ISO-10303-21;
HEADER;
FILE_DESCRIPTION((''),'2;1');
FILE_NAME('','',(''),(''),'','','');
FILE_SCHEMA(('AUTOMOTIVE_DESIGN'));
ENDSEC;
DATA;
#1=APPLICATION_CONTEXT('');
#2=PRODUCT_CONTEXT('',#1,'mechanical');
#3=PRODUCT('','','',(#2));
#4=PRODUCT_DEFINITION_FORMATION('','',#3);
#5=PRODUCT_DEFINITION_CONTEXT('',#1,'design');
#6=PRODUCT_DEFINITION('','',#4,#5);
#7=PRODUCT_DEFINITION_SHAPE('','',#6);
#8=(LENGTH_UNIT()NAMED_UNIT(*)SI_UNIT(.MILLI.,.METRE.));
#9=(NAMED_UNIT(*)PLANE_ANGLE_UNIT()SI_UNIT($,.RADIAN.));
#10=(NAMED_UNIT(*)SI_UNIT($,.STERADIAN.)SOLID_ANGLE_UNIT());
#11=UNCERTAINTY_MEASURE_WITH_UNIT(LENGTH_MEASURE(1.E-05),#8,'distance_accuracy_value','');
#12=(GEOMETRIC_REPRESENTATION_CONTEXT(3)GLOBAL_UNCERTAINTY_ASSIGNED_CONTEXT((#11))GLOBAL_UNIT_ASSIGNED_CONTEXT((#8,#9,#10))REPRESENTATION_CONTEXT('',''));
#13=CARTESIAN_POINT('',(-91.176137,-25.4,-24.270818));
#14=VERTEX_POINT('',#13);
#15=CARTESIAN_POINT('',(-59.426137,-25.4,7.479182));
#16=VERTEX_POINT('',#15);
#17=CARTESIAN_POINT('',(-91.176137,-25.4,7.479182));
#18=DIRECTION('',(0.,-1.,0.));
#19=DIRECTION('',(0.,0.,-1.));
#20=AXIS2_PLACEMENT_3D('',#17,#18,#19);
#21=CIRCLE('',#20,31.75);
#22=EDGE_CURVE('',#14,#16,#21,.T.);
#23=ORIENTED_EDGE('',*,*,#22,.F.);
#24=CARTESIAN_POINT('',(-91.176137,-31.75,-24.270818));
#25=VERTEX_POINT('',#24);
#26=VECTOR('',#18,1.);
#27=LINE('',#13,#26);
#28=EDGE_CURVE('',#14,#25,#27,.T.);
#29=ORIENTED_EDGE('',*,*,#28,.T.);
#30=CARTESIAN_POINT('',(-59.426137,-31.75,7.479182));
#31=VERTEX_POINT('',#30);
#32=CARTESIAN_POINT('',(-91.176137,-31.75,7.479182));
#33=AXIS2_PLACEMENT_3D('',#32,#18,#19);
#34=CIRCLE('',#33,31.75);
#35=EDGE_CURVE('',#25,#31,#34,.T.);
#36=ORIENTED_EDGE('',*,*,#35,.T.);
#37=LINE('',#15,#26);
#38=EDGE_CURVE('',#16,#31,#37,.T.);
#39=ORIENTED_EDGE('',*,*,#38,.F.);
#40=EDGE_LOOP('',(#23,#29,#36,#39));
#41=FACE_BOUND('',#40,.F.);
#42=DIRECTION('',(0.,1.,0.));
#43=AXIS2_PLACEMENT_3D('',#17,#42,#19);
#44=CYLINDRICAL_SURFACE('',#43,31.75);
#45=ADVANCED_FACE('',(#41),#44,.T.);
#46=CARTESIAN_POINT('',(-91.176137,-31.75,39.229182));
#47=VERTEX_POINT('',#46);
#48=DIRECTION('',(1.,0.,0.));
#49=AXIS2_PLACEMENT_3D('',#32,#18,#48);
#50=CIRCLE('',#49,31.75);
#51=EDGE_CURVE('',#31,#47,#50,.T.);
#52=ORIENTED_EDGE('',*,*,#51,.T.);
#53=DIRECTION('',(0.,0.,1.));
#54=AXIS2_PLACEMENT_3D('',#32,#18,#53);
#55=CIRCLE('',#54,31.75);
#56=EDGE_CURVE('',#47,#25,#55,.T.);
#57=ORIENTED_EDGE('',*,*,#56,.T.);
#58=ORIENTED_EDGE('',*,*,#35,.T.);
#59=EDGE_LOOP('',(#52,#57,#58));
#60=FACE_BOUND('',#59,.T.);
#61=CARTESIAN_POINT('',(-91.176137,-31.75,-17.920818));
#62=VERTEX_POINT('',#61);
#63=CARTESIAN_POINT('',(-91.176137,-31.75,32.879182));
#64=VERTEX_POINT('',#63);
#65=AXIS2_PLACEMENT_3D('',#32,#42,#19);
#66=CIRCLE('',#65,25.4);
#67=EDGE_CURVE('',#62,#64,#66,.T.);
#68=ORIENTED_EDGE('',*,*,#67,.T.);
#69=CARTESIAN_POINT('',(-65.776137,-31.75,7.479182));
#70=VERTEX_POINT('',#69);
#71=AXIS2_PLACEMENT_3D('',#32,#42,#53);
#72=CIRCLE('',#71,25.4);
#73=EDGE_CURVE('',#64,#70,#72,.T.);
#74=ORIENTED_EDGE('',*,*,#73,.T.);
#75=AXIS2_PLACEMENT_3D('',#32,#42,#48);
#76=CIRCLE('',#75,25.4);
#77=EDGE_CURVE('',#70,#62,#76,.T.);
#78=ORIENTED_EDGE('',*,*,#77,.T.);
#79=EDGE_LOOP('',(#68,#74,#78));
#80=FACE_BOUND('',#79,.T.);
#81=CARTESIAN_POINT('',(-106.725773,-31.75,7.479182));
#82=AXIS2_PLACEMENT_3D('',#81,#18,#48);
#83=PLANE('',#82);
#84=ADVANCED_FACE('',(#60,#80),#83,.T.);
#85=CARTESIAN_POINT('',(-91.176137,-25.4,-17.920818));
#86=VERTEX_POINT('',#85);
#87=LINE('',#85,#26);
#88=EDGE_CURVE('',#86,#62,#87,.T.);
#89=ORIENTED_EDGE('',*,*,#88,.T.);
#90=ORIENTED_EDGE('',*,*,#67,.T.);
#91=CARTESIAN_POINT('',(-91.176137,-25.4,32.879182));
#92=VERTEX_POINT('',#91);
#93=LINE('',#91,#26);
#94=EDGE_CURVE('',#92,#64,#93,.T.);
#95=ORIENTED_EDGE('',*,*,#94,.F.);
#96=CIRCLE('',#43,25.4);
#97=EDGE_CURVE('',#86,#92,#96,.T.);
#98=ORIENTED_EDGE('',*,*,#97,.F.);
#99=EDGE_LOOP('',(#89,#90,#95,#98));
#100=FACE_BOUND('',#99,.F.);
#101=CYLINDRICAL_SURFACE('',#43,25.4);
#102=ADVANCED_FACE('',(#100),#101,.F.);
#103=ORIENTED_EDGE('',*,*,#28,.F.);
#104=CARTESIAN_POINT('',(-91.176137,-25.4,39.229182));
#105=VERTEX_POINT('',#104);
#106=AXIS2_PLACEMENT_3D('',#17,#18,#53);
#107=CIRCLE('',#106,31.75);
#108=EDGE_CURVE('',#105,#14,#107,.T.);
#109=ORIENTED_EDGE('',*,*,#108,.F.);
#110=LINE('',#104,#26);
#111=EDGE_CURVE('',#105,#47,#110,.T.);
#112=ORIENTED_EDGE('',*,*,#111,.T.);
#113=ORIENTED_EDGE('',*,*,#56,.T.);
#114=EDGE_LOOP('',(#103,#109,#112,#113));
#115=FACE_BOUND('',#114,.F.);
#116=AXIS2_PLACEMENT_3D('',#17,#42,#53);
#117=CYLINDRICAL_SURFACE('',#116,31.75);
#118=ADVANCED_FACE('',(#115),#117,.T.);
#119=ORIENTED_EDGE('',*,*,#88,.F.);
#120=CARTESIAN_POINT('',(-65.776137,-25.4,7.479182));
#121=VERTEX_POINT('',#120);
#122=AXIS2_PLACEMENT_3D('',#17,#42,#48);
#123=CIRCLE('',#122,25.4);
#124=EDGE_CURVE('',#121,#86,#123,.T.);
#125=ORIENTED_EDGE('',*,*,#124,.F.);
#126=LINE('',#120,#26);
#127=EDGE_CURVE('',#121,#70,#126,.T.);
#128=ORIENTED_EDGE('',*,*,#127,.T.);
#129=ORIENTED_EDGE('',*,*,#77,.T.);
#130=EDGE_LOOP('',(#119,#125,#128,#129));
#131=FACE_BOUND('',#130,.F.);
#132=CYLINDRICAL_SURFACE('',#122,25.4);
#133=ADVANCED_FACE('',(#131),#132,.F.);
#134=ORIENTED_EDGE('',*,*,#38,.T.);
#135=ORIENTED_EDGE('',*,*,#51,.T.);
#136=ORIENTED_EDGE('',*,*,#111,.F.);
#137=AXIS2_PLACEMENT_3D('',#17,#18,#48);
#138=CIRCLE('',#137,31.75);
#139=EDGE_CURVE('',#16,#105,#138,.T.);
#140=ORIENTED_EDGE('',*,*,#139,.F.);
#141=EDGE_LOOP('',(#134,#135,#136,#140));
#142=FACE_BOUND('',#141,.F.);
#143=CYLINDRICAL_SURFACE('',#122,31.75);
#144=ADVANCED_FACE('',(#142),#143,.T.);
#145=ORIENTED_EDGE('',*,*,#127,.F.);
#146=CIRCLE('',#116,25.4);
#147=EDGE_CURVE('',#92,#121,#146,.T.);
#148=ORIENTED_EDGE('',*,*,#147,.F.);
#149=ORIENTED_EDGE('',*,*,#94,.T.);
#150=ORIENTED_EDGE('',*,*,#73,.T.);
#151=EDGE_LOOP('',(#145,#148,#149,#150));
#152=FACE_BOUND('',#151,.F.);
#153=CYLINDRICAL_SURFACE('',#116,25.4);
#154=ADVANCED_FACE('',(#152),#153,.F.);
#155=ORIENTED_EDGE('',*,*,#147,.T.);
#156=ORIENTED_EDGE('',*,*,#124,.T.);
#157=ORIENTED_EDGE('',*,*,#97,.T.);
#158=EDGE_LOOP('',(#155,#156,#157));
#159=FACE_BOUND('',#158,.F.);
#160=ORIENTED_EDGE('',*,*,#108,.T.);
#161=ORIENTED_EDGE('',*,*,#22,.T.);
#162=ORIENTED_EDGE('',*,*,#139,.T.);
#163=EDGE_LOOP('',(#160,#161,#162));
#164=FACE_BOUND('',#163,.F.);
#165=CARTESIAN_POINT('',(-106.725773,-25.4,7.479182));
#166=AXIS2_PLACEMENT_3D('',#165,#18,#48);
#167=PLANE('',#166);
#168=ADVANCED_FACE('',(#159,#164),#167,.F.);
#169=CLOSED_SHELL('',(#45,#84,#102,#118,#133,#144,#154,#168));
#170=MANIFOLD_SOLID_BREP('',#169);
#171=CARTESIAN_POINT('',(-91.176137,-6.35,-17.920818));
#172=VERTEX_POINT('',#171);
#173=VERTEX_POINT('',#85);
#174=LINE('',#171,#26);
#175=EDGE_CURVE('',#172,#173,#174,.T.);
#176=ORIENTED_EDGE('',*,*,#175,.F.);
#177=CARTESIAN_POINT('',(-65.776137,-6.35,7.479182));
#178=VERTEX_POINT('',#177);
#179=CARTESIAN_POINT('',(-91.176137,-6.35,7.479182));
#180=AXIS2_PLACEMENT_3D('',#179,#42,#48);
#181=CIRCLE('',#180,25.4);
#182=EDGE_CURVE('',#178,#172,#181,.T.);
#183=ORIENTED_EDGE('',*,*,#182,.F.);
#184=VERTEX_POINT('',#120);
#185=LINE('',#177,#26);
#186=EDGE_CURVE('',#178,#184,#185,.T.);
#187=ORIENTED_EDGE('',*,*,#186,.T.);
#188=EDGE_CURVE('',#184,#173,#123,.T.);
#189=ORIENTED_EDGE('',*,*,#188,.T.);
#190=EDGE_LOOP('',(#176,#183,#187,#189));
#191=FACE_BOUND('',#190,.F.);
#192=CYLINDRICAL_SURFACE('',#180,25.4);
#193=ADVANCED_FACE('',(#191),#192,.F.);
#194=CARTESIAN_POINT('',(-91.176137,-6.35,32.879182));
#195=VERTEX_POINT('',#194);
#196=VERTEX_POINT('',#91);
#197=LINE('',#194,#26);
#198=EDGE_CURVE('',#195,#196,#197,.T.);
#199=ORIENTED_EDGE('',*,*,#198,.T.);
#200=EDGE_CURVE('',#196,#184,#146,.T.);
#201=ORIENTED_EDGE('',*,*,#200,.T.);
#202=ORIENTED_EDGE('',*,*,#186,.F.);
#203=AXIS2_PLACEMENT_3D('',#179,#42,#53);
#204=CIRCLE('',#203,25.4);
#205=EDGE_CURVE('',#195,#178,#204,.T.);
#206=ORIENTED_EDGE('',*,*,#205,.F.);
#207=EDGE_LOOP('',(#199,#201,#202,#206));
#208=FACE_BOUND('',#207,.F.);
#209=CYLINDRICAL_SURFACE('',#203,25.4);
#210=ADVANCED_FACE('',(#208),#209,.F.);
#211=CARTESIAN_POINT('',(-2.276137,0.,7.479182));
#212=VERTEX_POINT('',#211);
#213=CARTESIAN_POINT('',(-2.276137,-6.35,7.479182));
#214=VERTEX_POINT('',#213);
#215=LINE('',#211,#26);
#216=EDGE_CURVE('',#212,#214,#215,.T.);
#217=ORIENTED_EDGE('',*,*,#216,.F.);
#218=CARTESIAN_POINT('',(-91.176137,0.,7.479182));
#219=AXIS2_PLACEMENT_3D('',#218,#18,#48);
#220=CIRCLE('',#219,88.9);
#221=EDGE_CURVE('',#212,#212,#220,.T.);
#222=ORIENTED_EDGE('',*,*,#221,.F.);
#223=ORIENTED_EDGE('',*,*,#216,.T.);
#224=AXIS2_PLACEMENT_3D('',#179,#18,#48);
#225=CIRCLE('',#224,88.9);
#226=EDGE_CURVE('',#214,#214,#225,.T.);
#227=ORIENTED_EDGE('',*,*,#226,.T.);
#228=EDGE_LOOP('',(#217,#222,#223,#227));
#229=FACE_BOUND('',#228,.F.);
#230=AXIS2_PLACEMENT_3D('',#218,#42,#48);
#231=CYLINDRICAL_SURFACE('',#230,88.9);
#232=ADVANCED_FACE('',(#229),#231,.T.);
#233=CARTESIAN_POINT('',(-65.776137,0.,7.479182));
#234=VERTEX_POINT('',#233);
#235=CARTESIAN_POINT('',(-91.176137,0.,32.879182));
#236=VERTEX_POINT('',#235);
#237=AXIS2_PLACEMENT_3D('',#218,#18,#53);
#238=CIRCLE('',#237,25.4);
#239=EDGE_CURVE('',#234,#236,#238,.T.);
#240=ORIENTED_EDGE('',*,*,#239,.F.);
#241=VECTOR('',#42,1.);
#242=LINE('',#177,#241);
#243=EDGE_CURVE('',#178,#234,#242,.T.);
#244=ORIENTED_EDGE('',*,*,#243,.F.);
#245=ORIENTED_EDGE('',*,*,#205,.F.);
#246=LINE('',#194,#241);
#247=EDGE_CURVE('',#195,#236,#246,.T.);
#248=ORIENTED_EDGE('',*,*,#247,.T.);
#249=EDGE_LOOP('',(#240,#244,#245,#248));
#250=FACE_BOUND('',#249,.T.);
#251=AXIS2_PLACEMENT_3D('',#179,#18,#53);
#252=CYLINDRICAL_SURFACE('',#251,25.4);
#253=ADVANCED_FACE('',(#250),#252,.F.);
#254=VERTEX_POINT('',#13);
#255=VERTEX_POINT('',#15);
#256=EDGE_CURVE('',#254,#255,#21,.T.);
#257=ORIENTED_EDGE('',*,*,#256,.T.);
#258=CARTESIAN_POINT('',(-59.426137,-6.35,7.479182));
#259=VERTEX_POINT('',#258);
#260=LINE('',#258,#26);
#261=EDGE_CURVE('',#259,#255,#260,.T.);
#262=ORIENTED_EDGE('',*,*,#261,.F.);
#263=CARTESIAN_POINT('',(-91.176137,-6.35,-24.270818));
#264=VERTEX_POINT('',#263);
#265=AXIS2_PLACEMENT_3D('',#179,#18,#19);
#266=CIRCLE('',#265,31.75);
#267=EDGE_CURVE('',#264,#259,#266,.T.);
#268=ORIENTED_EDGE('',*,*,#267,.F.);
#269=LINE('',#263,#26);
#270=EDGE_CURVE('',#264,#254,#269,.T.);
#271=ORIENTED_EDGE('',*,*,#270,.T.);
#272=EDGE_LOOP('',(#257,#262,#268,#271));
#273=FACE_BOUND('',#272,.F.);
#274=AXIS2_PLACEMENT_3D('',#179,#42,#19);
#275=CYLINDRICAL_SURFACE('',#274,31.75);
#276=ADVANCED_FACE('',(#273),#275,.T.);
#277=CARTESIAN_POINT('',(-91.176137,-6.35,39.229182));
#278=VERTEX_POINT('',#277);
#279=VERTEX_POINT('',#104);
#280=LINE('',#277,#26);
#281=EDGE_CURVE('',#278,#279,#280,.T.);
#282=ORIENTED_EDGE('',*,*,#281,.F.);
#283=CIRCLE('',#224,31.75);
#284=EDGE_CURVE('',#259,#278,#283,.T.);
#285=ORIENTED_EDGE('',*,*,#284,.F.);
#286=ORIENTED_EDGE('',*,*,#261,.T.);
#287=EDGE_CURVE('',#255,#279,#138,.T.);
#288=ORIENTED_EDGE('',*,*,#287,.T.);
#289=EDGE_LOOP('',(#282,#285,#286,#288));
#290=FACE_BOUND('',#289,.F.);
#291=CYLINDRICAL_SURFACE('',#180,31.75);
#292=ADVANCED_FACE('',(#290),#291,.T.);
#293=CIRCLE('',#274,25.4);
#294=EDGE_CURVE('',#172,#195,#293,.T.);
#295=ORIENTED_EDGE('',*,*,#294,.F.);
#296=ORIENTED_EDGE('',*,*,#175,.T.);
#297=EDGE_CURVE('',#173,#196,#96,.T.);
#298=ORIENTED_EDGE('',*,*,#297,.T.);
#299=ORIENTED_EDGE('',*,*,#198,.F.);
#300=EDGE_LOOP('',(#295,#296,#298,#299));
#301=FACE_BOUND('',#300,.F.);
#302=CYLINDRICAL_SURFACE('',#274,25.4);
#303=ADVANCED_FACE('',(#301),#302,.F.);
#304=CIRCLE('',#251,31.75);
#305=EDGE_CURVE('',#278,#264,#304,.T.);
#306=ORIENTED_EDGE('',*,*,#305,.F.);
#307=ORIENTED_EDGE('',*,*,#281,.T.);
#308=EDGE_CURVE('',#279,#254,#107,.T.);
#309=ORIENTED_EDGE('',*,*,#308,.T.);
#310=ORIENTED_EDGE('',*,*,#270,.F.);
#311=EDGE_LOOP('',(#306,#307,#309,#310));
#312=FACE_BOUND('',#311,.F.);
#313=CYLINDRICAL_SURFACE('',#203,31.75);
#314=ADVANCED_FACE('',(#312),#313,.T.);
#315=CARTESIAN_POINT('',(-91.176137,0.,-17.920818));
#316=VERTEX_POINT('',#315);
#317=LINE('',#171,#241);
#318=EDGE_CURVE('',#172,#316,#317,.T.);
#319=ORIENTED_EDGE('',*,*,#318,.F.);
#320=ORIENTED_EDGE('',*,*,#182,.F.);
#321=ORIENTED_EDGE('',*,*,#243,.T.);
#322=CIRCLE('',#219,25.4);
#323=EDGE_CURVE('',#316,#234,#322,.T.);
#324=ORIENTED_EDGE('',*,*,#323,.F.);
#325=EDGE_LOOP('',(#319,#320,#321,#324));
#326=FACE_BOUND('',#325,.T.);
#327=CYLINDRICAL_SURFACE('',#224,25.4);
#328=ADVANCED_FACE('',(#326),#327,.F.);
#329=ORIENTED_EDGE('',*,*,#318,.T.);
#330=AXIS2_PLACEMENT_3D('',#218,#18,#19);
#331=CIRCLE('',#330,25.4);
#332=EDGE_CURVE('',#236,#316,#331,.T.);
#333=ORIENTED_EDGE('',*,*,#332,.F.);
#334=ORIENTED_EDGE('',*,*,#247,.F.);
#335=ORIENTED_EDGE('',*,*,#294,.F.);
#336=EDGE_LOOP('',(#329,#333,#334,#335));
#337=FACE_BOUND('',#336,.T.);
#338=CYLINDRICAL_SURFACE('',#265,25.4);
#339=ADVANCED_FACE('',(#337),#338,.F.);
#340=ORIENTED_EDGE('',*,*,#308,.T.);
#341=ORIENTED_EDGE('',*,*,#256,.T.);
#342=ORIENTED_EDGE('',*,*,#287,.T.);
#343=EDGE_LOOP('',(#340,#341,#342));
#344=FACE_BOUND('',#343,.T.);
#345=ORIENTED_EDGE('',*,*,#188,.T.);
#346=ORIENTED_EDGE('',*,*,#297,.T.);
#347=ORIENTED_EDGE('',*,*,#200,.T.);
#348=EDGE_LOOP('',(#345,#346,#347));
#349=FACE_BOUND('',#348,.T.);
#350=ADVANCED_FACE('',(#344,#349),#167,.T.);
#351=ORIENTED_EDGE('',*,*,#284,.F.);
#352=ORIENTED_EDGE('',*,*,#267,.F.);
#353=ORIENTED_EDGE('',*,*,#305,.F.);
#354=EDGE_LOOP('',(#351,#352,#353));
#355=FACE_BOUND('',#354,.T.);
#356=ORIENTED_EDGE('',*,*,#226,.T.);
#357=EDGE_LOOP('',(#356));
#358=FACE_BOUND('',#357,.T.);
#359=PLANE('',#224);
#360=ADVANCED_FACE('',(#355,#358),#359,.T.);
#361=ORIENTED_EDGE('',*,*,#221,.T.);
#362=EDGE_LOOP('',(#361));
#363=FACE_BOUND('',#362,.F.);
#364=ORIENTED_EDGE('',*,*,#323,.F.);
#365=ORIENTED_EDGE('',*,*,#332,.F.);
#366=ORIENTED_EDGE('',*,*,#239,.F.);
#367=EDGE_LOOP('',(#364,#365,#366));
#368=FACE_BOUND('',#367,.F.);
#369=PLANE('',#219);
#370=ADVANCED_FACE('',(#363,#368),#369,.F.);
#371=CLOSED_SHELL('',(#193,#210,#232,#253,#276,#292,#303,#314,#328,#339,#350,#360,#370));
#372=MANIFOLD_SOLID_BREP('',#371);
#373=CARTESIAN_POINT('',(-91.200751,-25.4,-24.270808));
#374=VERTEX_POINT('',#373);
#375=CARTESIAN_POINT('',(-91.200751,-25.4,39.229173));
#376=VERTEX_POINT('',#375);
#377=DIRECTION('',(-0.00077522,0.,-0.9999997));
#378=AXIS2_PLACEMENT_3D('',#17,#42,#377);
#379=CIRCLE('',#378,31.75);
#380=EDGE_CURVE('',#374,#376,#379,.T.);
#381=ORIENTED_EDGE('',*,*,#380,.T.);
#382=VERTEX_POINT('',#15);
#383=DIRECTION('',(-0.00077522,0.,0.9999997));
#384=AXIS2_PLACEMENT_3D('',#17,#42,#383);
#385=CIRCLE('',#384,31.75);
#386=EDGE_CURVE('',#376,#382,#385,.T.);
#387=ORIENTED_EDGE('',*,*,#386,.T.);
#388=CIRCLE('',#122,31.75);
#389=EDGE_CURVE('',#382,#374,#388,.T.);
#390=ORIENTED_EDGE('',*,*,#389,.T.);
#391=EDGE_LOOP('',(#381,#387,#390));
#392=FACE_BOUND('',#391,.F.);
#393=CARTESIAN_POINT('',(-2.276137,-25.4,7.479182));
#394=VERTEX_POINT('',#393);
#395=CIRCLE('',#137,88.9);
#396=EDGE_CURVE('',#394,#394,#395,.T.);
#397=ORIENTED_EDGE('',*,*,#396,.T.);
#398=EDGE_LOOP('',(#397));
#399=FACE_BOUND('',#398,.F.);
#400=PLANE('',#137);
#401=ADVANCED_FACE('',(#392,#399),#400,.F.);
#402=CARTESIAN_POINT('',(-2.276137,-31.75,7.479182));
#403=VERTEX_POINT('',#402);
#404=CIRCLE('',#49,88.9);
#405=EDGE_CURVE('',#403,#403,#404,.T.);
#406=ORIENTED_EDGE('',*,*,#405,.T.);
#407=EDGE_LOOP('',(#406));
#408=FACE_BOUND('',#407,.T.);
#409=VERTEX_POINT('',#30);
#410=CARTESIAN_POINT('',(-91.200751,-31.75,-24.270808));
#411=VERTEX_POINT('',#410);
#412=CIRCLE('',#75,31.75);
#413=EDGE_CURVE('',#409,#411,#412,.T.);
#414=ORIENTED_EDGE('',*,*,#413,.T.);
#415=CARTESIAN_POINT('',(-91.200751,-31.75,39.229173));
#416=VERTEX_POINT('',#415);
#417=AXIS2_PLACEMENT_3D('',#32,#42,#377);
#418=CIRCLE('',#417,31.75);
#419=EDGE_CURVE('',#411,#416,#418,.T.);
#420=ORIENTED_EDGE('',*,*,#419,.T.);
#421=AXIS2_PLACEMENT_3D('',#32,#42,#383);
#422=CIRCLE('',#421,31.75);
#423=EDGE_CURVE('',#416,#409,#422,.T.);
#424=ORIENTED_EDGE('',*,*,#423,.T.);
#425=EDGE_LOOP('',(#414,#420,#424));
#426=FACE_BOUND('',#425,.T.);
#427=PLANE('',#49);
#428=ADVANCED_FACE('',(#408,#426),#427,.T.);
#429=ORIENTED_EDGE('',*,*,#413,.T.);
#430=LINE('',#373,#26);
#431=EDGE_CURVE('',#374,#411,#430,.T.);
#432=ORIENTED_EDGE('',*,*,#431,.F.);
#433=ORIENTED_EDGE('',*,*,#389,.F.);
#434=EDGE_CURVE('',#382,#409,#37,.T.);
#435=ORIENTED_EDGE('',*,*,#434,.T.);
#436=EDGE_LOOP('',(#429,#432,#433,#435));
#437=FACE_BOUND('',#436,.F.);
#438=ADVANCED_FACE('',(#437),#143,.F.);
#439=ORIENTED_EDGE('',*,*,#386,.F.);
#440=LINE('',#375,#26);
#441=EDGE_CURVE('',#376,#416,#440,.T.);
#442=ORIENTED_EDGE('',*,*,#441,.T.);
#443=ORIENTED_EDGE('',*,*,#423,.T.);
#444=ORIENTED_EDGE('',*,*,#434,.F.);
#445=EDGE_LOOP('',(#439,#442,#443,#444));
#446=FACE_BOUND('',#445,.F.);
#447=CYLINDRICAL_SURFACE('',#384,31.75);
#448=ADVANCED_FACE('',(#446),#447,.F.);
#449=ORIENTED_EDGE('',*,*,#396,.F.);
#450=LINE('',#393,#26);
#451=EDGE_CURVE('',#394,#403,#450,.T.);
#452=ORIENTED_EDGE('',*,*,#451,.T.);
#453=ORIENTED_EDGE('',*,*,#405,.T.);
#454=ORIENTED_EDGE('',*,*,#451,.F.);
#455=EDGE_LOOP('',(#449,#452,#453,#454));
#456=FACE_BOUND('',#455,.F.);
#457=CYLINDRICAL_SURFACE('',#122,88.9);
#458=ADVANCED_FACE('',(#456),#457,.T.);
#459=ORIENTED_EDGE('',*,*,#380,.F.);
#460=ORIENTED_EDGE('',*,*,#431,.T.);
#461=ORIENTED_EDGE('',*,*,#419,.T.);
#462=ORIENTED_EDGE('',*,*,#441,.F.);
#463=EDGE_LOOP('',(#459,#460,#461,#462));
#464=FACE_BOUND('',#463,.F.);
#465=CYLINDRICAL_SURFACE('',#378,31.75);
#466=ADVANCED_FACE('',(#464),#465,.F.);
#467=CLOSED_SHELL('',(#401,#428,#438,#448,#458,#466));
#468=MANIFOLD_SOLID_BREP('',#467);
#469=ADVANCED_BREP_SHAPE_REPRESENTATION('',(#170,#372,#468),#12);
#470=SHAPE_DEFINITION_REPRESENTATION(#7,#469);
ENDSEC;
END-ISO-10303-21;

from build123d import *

# Parameters (mm, degrees)
F0_R     = 88.9
F1_DEPTH = 6.35
F3_DEPTH = 19.05
F4_R     = 88.9
F5_DEPTH = 6.35
F6_DEPTH = 6.35
F7_DEPTH = 25.4


with BuildPart() as f1:
    # F0 (on Front) → F1 (new body)
    with BuildSketch(Plane.XZ):
        with Locations((-91.1761373281, 7.4791824445)):
            Circle(F0_R)
    extrude(amount=F1_DEPTH)

    # F2 (on face) → F3 (join)
    with BuildSketch(Plane.XZ.offset(6.35)):
        with BuildLine():
            Line((-91.1761373281, 32.8791824445), (-91.1761373281, 39.2291824445))
            ThreePointArc((-91.1761373281, 39.2291824445), (-122.9261373281, 7.4791824445), (-91.1761373281, -24.2708175555))
            Line((-91.1761373281, -24.2708175555), (-91.1761373281, -17.9208175555))
            ThreePointArc((-91.1761373281, -17.9208175555), (-116.5761373281, 7.4791824445), (-91.1761373281, 32.8791824445))
        make_face()
        with BuildLine():
            ThreePointArc((-59.4261373281, 7.4791824445), (-68.7254970255, 29.9298227472), (-91.1761373281, 39.2291824445))
            Line((-91.1761373281, 39.2291824445), (-91.1761373281, 32.8791824445))
            ThreePointArc((-91.1761373281, 32.8791824445), (-73.215625086, 25.4396946867), (-65.7761373281, 7.4791824445))
            ThreePointArc((-65.7761373281, 7.4791824445), (-73.215625086, -10.4813297976), (-91.1761373281, -17.9208175555))
            Line((-91.1761373281, -17.9208175555), (-91.1761373281, -24.2708175555))
            ThreePointArc((-91.1761373281, -24.2708175555), (-68.7254970255, -14.9714578582), (-59.4261373281, 7.4791824445))
        make_face()
    extrude(amount=F3_DEPTH)


with BuildPart() as f5:
    # F4 (on face) → F5 (new body)
    with BuildSketch(Plane.XZ.offset(25.4)):
        with Locations((-91.1761373281, 7.4791824445)):
            Circle(F4_R)
        with BuildLine():
            ThreePointArc((-91.2007505714, -24.2708080151), (-122.9261373281, 7.4791824445), (-91.2007505714, 39.2291729042))
            ThreePointArc((-91.2007505714, 39.2291729042), (-68.7342008083, 29.9385231569), (-59.4261373281, 7.4791824445))
            ThreePointArc((-59.4261373281, 7.4791824445), (-68.7342008083, -14.9801582679), (-91.2007505714, -24.2708080151))
        make_face(mode=Mode.SUBTRACT)
    extrude(amount=F5_DEPTH)


with BuildPart() as f6:
    # F6 (new): a face of the model
    f6_faces = [f1.part.faces().sort_by_distance(p)[0] for p in [
        (-91.1761373281, -25.4, 38.3311568324),
    ]]
    extrude(f6_faces, amount=F6_DEPTH)


with BuildPart() as f1_1:
    add(f1.part)

    # F7 (cut): a face of the model
    f7_faces = [f1_1.faces().sort_by_distance(p)[0] for p in [
        (-91.1761373281, -6.35, 7.4791824445),
    ]]
    extrude(f7_faces, amount=-F7_DEPTH, mode=Mode.SUBTRACT)


solid = Compound([f5.part, f6.part, f1_1.part])
